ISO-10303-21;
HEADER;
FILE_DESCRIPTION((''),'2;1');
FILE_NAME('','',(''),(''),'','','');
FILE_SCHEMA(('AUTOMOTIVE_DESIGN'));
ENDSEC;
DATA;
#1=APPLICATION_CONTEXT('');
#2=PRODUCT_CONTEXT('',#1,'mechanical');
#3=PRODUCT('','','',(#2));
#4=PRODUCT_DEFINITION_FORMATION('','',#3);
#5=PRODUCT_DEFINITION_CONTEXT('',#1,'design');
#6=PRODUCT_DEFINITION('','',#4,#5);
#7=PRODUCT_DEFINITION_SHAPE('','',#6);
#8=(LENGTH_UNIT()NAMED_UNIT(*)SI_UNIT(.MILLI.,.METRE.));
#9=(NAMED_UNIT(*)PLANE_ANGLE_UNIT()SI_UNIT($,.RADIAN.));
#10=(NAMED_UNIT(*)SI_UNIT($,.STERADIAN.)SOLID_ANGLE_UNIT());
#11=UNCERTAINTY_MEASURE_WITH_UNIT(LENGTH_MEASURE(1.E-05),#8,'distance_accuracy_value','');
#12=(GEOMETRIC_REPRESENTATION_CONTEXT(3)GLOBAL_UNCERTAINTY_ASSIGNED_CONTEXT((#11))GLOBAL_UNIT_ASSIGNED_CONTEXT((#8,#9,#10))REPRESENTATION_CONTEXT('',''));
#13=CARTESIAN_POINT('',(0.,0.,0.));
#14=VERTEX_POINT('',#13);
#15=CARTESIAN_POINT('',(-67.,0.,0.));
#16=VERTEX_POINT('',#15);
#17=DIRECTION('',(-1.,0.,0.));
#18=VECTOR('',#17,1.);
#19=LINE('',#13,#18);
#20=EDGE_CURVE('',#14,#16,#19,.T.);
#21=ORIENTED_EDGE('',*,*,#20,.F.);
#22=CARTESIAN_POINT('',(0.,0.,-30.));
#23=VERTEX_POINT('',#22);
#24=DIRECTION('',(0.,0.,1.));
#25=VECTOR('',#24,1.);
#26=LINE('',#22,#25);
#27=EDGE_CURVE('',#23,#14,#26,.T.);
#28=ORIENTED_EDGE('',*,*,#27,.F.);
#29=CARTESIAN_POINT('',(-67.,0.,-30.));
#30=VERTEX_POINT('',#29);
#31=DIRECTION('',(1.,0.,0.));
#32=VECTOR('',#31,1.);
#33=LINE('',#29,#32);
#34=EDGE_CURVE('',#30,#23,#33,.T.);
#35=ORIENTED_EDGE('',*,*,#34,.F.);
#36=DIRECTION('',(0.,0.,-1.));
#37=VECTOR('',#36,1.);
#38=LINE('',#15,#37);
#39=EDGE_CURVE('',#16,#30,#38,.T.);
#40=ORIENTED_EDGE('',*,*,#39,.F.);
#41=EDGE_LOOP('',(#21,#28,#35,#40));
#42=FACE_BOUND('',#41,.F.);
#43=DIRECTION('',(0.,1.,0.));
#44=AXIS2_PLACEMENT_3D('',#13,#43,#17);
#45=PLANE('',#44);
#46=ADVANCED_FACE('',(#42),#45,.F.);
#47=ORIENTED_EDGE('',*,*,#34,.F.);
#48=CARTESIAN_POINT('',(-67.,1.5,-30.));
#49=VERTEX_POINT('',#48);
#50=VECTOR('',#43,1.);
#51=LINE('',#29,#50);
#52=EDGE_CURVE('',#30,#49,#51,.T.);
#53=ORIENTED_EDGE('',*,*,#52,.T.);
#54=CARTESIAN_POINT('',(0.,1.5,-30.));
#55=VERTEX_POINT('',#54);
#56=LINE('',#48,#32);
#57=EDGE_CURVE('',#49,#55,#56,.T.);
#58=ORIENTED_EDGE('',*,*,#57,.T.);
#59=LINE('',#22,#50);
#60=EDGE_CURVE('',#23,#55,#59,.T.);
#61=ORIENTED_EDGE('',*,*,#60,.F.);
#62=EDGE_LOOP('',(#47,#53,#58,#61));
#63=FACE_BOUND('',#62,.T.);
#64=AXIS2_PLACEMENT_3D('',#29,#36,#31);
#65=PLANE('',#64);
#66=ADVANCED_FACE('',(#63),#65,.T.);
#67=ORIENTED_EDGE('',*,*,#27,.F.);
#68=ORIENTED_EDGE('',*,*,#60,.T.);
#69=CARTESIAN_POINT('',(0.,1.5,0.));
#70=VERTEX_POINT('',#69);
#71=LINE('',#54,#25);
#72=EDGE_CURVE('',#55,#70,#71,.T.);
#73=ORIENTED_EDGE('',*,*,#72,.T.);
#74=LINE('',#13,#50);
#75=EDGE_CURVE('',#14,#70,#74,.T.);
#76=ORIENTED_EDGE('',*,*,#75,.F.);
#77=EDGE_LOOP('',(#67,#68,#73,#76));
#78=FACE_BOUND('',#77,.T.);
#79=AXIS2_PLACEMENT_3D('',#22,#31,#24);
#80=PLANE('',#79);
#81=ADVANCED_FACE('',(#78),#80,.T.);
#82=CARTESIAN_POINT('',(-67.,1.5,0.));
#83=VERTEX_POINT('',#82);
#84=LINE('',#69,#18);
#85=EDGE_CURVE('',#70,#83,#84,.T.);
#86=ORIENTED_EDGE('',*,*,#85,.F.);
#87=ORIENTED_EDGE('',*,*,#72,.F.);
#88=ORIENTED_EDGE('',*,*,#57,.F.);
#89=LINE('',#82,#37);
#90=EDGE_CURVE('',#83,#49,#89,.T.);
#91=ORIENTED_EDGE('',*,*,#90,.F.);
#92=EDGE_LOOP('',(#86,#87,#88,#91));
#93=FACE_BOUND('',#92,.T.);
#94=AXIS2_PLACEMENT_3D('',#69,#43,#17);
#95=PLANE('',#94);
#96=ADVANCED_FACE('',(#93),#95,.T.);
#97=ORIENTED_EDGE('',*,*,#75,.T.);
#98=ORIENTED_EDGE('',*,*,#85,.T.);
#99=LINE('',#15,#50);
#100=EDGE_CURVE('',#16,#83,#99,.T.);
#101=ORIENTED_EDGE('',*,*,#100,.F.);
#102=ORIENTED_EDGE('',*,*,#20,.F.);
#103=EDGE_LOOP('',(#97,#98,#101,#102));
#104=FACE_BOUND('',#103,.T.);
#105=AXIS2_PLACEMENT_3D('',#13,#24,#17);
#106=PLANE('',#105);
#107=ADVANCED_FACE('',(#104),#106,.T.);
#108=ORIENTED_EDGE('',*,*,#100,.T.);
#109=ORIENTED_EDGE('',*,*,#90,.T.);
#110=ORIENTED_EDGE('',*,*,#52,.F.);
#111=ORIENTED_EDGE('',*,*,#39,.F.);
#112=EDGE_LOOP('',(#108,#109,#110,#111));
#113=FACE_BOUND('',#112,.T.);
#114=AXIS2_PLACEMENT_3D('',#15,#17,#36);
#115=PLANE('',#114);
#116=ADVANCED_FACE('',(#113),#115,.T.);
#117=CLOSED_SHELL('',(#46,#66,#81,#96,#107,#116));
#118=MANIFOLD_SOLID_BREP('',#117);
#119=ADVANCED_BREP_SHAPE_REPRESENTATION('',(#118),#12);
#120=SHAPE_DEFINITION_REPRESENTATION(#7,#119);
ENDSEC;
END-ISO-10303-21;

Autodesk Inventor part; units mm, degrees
ref_plane "YZ Plane" through (0, 0, 0) normal (1, 0, 0) x (0, 1, 0)
ref_plane "XZ Plane" through (0, 0, 0) normal (0, 1, 0) x (-1, 0, 0)
ref_plane "XY Plane" through (0, 0, 0) normal (0, 0, 1) x (1, 0, 0)
sketch "草图1" plane through (0, 0, 0) normal (0, 1, 0) x (-1, 0, 0)
  line L0 (0, 0) -> (67, 0)
  line L1 (67, 0) -> (67, -30)
  line L2 (67, -30) -> (0, -30)
  line L3 (0, -30) -> (0, 0)
  dimension "d0" = 30
  dimension "d3" = 67
extrude "拉伸1" add sketch "草图1" along normal blind 1.5
properties part number "盖板"
